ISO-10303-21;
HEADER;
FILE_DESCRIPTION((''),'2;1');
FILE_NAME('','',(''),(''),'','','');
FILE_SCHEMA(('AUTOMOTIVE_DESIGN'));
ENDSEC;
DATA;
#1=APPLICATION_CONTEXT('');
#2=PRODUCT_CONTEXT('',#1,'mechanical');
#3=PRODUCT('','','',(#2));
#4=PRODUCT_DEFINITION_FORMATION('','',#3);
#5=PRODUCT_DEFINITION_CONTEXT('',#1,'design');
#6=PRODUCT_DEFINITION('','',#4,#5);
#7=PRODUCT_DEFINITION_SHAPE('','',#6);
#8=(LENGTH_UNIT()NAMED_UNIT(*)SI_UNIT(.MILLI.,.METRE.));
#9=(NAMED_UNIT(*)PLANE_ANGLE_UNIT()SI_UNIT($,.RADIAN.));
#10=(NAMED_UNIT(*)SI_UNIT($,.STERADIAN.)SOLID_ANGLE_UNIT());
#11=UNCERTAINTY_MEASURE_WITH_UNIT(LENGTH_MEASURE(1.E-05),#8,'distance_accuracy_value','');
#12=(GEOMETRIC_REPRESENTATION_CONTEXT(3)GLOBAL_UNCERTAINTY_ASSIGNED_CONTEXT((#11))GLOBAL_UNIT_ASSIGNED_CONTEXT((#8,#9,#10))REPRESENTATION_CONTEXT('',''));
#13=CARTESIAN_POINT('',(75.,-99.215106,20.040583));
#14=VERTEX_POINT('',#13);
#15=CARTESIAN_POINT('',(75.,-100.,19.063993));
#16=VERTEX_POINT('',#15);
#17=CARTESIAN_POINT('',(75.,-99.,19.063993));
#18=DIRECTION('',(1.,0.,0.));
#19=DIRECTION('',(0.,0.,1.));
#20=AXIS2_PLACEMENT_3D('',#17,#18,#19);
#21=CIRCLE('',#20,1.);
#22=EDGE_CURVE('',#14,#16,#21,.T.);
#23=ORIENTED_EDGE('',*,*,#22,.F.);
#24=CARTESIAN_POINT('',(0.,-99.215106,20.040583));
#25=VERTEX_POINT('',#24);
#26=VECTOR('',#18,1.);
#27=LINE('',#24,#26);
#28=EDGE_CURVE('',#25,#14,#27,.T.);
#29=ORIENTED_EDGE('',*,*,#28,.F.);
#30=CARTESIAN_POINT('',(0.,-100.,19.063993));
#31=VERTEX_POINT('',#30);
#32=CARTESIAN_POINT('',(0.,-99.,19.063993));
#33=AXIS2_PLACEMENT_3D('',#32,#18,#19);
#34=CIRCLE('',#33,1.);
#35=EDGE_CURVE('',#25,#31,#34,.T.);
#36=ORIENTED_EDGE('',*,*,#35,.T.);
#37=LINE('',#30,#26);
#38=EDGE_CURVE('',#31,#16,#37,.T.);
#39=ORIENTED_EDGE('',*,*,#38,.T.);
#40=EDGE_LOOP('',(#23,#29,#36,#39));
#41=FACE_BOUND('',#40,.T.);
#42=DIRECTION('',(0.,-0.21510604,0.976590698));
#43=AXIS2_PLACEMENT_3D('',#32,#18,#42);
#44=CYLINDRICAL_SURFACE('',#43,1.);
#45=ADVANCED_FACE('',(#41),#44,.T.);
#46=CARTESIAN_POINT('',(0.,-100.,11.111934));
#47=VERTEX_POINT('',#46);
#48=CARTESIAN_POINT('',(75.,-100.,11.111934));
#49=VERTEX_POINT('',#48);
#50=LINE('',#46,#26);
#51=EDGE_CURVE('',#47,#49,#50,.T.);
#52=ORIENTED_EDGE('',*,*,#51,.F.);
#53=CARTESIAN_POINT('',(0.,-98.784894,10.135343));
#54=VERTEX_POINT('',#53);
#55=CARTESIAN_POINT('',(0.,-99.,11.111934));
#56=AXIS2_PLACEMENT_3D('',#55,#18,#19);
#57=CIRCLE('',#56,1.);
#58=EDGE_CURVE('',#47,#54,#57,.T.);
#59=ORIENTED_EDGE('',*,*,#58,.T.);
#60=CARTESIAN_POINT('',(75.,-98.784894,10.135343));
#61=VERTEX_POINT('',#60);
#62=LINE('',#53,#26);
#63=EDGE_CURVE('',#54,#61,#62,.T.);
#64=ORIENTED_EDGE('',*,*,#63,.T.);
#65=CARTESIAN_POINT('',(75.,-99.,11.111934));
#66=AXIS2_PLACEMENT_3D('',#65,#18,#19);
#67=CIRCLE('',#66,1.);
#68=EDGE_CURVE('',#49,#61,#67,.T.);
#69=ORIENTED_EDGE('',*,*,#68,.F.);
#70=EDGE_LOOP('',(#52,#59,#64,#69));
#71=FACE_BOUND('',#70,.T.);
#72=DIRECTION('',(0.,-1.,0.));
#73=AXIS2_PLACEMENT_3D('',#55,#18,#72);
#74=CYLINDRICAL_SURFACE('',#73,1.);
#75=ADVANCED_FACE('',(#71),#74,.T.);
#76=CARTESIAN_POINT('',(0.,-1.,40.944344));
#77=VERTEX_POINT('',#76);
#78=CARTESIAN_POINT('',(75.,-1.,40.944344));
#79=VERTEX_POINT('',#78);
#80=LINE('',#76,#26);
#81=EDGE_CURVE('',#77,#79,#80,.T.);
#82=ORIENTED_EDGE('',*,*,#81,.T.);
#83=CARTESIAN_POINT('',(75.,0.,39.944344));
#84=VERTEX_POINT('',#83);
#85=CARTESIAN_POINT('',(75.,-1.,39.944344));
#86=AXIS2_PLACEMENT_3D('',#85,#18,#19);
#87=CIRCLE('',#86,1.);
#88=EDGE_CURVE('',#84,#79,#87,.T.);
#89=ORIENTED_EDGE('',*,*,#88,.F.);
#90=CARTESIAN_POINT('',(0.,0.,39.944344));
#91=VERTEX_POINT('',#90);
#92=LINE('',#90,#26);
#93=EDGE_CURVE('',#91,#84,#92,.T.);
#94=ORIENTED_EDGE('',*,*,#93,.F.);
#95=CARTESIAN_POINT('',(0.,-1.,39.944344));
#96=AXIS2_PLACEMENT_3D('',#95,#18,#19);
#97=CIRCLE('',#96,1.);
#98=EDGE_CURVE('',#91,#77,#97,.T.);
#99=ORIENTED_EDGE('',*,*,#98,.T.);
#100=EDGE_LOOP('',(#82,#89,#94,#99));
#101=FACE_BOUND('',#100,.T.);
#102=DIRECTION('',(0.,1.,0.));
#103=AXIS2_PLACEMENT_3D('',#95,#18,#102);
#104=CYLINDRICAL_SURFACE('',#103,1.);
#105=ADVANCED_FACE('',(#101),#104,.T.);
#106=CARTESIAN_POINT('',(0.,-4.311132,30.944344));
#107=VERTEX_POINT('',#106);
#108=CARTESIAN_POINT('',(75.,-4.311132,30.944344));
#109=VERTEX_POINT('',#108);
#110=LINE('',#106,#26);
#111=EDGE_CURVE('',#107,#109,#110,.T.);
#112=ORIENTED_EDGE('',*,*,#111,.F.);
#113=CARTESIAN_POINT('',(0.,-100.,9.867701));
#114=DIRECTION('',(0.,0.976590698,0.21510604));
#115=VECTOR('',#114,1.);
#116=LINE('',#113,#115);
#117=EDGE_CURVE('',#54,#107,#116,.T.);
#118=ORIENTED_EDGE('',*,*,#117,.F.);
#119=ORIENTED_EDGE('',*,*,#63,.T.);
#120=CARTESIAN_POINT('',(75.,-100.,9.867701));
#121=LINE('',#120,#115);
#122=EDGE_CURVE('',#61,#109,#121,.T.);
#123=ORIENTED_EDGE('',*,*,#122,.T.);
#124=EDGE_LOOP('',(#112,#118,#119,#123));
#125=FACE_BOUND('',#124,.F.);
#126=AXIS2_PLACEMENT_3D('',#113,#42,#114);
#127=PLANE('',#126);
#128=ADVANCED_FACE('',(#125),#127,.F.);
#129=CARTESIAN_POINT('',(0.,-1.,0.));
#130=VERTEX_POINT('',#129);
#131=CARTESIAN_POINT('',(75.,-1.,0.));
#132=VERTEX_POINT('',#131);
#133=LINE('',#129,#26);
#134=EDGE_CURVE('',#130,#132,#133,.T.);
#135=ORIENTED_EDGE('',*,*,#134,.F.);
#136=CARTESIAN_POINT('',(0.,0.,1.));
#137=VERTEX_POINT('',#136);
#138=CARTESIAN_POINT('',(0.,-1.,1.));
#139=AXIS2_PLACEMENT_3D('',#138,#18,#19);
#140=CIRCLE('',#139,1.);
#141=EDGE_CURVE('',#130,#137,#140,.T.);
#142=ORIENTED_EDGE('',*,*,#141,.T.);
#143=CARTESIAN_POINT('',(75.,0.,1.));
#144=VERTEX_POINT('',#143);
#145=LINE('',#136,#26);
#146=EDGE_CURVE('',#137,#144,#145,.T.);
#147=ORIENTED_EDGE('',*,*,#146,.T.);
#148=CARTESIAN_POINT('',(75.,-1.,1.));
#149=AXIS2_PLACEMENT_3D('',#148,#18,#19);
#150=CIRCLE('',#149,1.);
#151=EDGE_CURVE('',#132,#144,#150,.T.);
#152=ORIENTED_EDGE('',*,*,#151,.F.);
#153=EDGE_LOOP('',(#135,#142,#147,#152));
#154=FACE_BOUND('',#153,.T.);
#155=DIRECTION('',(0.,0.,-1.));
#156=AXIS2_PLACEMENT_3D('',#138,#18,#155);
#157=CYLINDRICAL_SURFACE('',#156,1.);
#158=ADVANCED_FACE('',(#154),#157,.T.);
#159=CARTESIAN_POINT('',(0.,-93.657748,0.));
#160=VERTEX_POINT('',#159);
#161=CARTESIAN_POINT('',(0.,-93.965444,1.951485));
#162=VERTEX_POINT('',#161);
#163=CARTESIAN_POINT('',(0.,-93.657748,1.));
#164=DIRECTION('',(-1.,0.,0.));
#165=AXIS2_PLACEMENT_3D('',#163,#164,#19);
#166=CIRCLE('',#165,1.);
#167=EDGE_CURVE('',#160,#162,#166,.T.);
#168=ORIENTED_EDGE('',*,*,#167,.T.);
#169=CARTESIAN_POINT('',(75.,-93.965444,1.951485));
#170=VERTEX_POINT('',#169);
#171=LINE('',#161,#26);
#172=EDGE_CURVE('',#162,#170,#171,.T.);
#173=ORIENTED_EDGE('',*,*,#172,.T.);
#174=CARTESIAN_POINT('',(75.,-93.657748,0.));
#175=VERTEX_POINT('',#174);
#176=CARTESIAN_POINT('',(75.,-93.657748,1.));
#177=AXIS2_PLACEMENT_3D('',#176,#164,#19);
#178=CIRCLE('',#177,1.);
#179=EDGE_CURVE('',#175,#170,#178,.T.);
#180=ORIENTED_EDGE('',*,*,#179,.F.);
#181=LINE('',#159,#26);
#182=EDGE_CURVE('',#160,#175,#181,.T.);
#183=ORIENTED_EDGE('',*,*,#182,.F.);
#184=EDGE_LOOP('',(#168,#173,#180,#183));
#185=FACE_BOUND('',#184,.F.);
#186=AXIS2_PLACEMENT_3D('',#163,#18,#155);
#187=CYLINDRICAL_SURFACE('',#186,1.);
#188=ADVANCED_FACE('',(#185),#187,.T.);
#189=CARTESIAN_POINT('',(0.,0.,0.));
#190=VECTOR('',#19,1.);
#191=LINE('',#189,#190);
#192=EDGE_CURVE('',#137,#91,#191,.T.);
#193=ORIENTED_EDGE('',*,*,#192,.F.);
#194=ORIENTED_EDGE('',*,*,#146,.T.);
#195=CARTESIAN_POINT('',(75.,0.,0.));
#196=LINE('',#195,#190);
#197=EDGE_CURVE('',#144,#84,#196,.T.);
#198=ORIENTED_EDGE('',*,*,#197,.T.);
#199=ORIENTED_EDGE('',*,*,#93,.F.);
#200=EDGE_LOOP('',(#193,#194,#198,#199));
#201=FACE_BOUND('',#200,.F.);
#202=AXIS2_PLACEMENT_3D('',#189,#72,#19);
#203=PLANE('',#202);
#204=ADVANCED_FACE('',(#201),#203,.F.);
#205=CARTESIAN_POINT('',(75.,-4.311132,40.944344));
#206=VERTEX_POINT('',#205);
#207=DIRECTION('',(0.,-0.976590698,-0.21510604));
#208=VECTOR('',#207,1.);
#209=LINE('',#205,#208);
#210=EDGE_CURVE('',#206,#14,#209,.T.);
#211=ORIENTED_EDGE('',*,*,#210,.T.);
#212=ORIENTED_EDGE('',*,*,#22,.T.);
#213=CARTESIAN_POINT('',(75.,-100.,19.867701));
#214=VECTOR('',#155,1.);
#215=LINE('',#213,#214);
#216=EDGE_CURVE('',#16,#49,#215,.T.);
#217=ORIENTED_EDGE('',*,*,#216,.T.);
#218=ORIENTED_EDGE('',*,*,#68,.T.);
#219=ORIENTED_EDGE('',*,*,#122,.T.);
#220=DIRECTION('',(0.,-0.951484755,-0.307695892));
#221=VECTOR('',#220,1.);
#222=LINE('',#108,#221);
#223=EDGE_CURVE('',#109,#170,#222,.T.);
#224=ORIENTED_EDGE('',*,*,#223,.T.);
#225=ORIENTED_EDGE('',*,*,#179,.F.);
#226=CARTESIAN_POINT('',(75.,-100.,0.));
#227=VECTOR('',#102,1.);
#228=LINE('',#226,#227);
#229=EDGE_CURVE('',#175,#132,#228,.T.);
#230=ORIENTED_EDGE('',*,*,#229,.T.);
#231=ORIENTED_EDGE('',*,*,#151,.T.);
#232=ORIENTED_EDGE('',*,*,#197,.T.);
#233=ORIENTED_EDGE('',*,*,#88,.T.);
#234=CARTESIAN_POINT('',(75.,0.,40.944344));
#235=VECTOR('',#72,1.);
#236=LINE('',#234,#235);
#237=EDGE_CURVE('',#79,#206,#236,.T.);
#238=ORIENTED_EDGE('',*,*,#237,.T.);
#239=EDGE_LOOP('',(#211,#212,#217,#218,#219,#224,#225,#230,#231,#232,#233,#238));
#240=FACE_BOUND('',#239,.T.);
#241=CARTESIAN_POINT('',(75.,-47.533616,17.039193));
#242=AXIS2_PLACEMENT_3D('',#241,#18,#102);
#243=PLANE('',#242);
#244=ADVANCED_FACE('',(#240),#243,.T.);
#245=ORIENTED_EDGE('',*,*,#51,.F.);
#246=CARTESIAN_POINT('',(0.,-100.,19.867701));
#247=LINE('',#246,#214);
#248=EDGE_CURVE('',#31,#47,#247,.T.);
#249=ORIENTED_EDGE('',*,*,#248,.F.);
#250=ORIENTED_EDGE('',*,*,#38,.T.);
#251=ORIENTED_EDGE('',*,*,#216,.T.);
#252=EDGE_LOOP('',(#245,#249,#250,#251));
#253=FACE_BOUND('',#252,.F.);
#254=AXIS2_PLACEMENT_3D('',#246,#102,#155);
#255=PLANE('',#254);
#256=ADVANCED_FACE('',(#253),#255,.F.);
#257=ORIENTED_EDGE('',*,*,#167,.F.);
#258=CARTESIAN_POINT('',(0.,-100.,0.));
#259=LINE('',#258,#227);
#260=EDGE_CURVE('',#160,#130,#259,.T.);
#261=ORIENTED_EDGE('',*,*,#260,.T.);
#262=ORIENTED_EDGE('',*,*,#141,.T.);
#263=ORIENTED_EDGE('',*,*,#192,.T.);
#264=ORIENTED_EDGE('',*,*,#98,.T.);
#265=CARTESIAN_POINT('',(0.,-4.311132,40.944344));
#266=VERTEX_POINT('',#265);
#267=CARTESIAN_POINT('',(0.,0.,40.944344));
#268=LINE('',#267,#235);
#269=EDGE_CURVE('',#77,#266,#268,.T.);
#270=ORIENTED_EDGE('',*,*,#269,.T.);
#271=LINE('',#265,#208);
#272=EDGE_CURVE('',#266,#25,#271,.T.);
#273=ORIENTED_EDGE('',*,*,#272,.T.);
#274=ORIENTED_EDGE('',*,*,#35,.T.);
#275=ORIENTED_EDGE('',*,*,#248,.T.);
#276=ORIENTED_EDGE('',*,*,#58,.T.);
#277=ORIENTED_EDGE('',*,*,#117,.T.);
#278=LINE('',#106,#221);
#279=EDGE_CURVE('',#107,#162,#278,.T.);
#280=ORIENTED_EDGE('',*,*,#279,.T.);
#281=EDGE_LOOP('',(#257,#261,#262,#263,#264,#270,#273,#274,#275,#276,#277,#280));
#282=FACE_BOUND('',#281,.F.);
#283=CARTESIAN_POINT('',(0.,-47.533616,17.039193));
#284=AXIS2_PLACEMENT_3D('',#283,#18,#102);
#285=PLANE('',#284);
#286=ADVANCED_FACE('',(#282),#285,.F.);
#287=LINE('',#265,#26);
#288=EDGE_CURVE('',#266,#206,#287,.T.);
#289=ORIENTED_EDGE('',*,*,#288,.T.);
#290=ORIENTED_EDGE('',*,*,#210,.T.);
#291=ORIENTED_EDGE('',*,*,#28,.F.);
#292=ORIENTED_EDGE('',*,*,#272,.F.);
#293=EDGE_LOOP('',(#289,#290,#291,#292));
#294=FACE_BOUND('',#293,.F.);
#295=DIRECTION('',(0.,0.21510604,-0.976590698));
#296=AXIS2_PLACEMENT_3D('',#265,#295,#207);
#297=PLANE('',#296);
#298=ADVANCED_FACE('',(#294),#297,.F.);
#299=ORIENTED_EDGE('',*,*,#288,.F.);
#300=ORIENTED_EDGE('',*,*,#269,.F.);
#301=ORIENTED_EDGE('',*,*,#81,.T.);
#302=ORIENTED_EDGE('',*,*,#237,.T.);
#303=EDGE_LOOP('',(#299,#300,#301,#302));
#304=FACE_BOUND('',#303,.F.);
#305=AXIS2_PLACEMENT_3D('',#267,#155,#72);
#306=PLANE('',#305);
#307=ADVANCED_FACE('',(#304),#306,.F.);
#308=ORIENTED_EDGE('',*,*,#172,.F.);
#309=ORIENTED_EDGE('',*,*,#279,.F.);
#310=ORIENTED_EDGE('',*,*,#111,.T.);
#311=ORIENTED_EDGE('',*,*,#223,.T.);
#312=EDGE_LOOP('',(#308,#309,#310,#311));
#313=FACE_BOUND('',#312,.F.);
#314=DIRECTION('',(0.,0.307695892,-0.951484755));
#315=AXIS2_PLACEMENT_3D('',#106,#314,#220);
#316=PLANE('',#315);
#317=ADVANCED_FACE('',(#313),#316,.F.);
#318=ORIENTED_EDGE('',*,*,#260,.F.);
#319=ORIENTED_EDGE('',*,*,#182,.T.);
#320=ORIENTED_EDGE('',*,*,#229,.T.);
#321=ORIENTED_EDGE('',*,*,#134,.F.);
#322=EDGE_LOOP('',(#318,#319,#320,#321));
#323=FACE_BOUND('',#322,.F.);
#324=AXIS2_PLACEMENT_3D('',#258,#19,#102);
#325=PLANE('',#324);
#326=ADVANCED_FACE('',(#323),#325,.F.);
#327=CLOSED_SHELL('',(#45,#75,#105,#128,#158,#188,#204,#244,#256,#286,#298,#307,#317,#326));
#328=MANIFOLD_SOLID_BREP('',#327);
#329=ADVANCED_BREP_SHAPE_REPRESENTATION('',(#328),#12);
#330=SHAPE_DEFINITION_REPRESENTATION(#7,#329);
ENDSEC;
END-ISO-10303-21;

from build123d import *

# Parameters (mm, degrees)
F1_DEPTH = 75
F2_R     = 1


with BuildPart() as f1:
    # F0 (on Right) → F1 (new body)
    with BuildSketch(Plane.YZ):
        Polygon((-100, 0), (0, 0), (0, 40.944344), (-4.311132, 40.944344), (-100, 19.867701), (-100, 9.867701), (-4.311132, 30.944344), align=None)
    extrude(amount=F1_DEPTH)

    # F2
    f2_edges = [f1.edges().sort_by_distance(p)[0] for p in [
        (37.5, -100, 9.867701),
        (37.5, -100, 19.867701),
        (37.5, -100, 0),
        (37.5, 0, 40.944344),
        (37.5, 0, 0),
    ]]
    fillet(f2_edges, radius=F2_R)


solid = f1.part
